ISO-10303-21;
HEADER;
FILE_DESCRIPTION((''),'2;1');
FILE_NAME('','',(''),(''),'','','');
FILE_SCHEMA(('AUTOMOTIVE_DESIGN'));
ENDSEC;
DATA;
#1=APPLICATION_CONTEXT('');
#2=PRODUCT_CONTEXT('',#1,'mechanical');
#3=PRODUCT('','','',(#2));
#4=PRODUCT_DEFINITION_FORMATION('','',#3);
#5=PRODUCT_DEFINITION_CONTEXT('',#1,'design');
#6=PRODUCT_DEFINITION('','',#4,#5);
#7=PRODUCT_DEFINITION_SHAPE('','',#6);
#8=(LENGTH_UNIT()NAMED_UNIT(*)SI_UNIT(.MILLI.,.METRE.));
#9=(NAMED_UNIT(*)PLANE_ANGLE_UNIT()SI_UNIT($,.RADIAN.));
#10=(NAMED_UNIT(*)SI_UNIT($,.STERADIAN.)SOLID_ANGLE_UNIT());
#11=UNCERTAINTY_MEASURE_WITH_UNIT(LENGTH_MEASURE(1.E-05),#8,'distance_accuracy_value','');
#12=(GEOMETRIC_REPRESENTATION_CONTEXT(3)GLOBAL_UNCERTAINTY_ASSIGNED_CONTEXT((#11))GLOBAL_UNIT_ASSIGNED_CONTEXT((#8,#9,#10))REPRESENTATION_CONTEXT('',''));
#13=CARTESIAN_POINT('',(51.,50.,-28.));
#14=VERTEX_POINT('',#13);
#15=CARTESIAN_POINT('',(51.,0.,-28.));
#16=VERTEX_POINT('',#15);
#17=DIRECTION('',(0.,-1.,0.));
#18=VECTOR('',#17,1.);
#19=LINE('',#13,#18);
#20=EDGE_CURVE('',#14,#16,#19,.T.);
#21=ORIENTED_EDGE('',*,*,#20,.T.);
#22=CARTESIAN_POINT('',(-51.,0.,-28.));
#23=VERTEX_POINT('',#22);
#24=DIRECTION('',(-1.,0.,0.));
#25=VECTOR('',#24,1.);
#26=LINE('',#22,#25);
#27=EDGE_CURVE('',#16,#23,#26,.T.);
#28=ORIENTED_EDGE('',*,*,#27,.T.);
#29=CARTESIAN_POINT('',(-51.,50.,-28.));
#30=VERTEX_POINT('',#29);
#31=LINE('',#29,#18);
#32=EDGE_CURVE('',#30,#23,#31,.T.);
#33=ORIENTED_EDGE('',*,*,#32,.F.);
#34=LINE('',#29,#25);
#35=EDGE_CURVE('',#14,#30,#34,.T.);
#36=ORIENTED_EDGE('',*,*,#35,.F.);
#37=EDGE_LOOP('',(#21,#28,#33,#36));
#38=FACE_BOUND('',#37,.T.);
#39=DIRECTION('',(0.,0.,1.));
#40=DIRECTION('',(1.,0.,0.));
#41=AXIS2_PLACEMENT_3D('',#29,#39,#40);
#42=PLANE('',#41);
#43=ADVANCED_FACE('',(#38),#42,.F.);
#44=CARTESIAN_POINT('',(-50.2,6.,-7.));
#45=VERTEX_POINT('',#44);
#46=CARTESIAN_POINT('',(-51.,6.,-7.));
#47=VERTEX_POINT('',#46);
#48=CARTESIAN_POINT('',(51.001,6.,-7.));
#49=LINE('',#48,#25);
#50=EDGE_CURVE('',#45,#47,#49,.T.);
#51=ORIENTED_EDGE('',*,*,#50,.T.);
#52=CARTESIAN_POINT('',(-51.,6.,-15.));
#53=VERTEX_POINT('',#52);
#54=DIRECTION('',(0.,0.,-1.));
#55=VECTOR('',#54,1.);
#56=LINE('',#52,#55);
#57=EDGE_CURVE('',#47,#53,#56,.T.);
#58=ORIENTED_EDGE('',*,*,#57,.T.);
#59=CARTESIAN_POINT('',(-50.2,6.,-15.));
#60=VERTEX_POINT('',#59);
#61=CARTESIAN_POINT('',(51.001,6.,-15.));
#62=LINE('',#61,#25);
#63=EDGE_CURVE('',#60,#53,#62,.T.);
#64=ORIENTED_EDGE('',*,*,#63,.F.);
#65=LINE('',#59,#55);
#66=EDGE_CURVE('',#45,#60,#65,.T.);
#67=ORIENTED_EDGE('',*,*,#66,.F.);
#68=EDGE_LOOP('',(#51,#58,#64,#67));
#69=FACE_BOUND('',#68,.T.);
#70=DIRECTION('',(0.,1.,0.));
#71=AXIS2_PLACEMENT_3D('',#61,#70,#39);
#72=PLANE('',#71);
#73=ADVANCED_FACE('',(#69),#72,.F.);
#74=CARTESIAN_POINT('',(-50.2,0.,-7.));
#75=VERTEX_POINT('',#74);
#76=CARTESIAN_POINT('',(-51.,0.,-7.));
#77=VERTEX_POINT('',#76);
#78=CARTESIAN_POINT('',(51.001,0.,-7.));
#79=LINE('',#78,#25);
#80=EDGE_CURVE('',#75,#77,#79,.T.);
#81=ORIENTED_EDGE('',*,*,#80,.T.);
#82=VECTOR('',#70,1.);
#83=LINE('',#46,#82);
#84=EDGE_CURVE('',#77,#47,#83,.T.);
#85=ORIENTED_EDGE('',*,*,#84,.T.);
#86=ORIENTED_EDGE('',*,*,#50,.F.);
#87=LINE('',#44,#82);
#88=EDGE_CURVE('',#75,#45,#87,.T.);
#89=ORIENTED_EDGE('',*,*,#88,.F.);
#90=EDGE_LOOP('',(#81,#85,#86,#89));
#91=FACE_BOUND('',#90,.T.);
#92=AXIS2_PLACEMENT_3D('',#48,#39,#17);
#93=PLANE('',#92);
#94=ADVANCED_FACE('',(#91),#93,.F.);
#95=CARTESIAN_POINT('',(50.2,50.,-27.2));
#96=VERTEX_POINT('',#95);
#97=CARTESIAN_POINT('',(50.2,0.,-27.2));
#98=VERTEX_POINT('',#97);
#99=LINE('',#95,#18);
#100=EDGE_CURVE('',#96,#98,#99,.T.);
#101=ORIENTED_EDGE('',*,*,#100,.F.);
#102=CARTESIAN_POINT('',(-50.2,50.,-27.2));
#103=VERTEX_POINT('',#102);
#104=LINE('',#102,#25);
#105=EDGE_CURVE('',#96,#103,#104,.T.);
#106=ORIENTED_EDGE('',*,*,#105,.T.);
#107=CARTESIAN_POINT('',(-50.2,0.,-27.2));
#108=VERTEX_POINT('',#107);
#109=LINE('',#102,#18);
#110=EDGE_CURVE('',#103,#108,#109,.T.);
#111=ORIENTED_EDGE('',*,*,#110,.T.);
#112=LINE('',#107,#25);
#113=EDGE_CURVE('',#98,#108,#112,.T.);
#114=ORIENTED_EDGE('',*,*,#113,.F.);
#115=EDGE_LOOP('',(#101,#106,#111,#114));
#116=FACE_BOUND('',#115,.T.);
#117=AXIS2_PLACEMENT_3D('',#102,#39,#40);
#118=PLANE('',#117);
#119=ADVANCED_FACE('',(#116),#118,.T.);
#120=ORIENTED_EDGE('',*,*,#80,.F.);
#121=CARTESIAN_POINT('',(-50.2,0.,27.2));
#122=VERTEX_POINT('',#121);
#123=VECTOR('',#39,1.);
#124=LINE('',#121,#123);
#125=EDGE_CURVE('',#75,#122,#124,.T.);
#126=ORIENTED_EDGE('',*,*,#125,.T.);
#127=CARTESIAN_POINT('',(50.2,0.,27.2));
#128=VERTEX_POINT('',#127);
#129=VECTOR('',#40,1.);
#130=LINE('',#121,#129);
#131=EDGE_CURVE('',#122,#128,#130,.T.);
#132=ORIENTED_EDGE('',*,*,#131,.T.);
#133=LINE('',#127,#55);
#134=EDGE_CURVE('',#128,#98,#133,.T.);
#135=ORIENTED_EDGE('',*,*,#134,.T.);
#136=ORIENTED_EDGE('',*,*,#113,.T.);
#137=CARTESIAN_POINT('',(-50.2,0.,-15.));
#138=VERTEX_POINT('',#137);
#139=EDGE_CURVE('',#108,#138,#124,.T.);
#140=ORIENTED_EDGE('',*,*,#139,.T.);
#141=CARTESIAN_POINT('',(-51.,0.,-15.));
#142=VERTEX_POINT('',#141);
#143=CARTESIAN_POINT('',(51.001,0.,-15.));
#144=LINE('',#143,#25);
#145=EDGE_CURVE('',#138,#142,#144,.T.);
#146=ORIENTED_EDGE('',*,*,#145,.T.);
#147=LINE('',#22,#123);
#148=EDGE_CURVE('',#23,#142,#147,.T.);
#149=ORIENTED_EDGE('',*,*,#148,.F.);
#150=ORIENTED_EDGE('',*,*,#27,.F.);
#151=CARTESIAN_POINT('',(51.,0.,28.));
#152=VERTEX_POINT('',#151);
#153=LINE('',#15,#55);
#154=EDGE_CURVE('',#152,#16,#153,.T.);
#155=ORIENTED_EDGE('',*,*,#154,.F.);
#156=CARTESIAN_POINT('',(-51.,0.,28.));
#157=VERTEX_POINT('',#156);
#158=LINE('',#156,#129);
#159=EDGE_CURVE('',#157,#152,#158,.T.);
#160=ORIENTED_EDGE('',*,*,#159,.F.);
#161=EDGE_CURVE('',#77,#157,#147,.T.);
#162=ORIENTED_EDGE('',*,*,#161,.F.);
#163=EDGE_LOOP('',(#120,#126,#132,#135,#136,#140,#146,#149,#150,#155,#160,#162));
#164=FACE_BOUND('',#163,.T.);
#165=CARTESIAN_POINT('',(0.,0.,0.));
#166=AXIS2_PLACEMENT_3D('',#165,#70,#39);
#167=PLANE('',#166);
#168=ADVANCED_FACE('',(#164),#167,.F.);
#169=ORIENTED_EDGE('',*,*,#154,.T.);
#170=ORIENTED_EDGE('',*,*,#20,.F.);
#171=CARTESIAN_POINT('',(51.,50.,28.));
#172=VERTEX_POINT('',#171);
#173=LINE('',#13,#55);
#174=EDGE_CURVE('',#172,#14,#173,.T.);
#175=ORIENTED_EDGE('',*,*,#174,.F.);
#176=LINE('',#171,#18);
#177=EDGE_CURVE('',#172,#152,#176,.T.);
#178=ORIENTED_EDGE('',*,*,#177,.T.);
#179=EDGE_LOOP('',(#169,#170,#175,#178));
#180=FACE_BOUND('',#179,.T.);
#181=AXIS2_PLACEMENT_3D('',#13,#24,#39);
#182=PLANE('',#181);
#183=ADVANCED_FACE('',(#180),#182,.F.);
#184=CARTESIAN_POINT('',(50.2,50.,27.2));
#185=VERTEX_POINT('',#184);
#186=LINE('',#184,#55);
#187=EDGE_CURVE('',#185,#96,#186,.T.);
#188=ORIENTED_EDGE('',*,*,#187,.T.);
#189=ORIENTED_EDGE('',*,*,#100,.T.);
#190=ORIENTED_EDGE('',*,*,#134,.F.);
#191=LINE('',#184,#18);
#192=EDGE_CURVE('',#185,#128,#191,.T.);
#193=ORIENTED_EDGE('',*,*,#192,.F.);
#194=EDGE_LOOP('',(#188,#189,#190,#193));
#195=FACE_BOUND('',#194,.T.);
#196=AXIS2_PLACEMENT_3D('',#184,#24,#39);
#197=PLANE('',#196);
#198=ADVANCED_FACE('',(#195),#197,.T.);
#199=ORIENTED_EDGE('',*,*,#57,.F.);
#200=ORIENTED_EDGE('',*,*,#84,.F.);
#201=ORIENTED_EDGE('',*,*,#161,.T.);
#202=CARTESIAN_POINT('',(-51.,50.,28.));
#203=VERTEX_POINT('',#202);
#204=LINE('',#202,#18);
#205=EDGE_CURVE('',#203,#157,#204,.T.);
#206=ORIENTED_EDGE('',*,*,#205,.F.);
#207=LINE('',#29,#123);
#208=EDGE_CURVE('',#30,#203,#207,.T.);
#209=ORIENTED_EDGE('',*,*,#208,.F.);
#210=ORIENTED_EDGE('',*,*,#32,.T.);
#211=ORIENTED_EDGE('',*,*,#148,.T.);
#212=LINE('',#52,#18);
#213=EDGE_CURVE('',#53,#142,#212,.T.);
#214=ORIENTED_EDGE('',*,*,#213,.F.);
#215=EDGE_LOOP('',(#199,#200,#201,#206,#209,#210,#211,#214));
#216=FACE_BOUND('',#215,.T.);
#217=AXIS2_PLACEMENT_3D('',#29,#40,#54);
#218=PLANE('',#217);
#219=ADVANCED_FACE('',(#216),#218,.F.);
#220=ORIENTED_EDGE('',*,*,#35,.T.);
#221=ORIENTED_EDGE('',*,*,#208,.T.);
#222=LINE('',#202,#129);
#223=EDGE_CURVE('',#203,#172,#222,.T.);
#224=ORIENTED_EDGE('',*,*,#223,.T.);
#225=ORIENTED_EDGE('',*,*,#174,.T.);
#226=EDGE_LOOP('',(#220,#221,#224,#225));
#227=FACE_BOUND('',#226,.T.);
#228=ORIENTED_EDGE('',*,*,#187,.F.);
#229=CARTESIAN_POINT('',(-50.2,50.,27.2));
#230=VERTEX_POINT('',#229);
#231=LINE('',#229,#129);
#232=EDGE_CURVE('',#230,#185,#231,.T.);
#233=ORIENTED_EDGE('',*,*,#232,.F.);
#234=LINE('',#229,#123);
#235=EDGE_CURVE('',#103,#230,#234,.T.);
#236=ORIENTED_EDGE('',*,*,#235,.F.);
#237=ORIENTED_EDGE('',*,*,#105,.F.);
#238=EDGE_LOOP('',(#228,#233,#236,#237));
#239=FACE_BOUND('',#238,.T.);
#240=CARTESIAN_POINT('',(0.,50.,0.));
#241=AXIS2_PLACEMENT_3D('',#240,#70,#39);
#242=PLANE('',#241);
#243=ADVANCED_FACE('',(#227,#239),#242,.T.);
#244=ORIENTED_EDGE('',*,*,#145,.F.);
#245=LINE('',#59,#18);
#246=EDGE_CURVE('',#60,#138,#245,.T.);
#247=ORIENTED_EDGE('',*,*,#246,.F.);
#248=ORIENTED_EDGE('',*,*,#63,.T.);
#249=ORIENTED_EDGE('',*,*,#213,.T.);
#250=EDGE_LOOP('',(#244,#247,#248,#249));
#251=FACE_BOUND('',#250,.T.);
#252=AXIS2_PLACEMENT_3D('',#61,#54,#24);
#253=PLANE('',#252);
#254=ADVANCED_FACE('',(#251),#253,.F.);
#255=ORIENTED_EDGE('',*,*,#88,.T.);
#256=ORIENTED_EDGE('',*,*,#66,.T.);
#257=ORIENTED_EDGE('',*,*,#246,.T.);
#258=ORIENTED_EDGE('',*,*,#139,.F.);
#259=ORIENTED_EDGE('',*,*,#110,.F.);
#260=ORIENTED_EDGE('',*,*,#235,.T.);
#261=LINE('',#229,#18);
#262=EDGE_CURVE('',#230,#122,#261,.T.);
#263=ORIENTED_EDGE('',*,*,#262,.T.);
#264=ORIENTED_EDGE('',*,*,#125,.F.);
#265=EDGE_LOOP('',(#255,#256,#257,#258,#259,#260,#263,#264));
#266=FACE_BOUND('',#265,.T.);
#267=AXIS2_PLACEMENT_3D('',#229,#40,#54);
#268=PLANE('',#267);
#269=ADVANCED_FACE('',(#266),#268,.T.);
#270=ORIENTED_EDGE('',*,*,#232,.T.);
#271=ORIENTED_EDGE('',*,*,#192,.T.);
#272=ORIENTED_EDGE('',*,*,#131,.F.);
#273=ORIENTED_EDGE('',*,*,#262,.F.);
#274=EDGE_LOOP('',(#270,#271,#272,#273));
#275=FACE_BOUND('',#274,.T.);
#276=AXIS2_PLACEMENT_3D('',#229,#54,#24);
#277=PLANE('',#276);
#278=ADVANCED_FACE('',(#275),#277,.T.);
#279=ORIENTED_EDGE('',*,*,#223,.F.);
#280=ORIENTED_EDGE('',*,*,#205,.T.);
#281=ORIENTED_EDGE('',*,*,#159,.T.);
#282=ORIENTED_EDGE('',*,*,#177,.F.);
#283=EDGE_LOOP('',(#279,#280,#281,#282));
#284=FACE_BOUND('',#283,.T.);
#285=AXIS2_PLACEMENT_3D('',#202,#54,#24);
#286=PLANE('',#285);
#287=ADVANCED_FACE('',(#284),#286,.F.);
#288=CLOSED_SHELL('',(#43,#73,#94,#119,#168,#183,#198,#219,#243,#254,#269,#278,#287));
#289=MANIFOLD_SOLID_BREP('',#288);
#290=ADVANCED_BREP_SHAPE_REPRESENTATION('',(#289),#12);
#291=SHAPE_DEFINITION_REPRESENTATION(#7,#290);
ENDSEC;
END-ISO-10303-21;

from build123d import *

# Parameters (mm, degrees)
SKETCH1_W      = 102
SKETCH1_H      = 56
SKETCH1_W_2    = 100.4
SKETCH1_H_2    = 54.4
WALLS_DEPTH    = 50
USB_HOLE_REACH = 118.996
SKETCH3_W      = 8
SKETCH3_H      = 6


with BuildPart() as part:
    # Sketch1 → WALLS (new body)
    with BuildSketch(Plane(origin=(0, 0, 0), x_dir=(1, 0, 0), z_dir=(0, 1, 0))):
        Rectangle(SKETCH1_W, SKETCH1_H)
        Rectangle(SKETCH1_W_2, SKETCH1_H_2, mode=Mode.SUBTRACT)
    extrude(amount=WALLS_DEPTH)

    # Sketch3 → USB_HOLE (cut, up to next)
    with BuildSketch(Plane.ZY.offset(51), mode=Mode.PRIVATE) as usb_hole_sk1:
        with Locations((-11, 3)):
            Rectangle(SKETCH3_W, SKETCH3_H)
    usb_hole_tool1 = extrude(usb_hole_sk1.sketch, amount=-USB_HOLE_REACH, mode=Mode.PRIVATE) & part.part
    add(usb_hole_tool1.solids().sort_by_distance((-51, 3, -11))[0], mode=Mode.SUBTRACT)


solid = part.part
